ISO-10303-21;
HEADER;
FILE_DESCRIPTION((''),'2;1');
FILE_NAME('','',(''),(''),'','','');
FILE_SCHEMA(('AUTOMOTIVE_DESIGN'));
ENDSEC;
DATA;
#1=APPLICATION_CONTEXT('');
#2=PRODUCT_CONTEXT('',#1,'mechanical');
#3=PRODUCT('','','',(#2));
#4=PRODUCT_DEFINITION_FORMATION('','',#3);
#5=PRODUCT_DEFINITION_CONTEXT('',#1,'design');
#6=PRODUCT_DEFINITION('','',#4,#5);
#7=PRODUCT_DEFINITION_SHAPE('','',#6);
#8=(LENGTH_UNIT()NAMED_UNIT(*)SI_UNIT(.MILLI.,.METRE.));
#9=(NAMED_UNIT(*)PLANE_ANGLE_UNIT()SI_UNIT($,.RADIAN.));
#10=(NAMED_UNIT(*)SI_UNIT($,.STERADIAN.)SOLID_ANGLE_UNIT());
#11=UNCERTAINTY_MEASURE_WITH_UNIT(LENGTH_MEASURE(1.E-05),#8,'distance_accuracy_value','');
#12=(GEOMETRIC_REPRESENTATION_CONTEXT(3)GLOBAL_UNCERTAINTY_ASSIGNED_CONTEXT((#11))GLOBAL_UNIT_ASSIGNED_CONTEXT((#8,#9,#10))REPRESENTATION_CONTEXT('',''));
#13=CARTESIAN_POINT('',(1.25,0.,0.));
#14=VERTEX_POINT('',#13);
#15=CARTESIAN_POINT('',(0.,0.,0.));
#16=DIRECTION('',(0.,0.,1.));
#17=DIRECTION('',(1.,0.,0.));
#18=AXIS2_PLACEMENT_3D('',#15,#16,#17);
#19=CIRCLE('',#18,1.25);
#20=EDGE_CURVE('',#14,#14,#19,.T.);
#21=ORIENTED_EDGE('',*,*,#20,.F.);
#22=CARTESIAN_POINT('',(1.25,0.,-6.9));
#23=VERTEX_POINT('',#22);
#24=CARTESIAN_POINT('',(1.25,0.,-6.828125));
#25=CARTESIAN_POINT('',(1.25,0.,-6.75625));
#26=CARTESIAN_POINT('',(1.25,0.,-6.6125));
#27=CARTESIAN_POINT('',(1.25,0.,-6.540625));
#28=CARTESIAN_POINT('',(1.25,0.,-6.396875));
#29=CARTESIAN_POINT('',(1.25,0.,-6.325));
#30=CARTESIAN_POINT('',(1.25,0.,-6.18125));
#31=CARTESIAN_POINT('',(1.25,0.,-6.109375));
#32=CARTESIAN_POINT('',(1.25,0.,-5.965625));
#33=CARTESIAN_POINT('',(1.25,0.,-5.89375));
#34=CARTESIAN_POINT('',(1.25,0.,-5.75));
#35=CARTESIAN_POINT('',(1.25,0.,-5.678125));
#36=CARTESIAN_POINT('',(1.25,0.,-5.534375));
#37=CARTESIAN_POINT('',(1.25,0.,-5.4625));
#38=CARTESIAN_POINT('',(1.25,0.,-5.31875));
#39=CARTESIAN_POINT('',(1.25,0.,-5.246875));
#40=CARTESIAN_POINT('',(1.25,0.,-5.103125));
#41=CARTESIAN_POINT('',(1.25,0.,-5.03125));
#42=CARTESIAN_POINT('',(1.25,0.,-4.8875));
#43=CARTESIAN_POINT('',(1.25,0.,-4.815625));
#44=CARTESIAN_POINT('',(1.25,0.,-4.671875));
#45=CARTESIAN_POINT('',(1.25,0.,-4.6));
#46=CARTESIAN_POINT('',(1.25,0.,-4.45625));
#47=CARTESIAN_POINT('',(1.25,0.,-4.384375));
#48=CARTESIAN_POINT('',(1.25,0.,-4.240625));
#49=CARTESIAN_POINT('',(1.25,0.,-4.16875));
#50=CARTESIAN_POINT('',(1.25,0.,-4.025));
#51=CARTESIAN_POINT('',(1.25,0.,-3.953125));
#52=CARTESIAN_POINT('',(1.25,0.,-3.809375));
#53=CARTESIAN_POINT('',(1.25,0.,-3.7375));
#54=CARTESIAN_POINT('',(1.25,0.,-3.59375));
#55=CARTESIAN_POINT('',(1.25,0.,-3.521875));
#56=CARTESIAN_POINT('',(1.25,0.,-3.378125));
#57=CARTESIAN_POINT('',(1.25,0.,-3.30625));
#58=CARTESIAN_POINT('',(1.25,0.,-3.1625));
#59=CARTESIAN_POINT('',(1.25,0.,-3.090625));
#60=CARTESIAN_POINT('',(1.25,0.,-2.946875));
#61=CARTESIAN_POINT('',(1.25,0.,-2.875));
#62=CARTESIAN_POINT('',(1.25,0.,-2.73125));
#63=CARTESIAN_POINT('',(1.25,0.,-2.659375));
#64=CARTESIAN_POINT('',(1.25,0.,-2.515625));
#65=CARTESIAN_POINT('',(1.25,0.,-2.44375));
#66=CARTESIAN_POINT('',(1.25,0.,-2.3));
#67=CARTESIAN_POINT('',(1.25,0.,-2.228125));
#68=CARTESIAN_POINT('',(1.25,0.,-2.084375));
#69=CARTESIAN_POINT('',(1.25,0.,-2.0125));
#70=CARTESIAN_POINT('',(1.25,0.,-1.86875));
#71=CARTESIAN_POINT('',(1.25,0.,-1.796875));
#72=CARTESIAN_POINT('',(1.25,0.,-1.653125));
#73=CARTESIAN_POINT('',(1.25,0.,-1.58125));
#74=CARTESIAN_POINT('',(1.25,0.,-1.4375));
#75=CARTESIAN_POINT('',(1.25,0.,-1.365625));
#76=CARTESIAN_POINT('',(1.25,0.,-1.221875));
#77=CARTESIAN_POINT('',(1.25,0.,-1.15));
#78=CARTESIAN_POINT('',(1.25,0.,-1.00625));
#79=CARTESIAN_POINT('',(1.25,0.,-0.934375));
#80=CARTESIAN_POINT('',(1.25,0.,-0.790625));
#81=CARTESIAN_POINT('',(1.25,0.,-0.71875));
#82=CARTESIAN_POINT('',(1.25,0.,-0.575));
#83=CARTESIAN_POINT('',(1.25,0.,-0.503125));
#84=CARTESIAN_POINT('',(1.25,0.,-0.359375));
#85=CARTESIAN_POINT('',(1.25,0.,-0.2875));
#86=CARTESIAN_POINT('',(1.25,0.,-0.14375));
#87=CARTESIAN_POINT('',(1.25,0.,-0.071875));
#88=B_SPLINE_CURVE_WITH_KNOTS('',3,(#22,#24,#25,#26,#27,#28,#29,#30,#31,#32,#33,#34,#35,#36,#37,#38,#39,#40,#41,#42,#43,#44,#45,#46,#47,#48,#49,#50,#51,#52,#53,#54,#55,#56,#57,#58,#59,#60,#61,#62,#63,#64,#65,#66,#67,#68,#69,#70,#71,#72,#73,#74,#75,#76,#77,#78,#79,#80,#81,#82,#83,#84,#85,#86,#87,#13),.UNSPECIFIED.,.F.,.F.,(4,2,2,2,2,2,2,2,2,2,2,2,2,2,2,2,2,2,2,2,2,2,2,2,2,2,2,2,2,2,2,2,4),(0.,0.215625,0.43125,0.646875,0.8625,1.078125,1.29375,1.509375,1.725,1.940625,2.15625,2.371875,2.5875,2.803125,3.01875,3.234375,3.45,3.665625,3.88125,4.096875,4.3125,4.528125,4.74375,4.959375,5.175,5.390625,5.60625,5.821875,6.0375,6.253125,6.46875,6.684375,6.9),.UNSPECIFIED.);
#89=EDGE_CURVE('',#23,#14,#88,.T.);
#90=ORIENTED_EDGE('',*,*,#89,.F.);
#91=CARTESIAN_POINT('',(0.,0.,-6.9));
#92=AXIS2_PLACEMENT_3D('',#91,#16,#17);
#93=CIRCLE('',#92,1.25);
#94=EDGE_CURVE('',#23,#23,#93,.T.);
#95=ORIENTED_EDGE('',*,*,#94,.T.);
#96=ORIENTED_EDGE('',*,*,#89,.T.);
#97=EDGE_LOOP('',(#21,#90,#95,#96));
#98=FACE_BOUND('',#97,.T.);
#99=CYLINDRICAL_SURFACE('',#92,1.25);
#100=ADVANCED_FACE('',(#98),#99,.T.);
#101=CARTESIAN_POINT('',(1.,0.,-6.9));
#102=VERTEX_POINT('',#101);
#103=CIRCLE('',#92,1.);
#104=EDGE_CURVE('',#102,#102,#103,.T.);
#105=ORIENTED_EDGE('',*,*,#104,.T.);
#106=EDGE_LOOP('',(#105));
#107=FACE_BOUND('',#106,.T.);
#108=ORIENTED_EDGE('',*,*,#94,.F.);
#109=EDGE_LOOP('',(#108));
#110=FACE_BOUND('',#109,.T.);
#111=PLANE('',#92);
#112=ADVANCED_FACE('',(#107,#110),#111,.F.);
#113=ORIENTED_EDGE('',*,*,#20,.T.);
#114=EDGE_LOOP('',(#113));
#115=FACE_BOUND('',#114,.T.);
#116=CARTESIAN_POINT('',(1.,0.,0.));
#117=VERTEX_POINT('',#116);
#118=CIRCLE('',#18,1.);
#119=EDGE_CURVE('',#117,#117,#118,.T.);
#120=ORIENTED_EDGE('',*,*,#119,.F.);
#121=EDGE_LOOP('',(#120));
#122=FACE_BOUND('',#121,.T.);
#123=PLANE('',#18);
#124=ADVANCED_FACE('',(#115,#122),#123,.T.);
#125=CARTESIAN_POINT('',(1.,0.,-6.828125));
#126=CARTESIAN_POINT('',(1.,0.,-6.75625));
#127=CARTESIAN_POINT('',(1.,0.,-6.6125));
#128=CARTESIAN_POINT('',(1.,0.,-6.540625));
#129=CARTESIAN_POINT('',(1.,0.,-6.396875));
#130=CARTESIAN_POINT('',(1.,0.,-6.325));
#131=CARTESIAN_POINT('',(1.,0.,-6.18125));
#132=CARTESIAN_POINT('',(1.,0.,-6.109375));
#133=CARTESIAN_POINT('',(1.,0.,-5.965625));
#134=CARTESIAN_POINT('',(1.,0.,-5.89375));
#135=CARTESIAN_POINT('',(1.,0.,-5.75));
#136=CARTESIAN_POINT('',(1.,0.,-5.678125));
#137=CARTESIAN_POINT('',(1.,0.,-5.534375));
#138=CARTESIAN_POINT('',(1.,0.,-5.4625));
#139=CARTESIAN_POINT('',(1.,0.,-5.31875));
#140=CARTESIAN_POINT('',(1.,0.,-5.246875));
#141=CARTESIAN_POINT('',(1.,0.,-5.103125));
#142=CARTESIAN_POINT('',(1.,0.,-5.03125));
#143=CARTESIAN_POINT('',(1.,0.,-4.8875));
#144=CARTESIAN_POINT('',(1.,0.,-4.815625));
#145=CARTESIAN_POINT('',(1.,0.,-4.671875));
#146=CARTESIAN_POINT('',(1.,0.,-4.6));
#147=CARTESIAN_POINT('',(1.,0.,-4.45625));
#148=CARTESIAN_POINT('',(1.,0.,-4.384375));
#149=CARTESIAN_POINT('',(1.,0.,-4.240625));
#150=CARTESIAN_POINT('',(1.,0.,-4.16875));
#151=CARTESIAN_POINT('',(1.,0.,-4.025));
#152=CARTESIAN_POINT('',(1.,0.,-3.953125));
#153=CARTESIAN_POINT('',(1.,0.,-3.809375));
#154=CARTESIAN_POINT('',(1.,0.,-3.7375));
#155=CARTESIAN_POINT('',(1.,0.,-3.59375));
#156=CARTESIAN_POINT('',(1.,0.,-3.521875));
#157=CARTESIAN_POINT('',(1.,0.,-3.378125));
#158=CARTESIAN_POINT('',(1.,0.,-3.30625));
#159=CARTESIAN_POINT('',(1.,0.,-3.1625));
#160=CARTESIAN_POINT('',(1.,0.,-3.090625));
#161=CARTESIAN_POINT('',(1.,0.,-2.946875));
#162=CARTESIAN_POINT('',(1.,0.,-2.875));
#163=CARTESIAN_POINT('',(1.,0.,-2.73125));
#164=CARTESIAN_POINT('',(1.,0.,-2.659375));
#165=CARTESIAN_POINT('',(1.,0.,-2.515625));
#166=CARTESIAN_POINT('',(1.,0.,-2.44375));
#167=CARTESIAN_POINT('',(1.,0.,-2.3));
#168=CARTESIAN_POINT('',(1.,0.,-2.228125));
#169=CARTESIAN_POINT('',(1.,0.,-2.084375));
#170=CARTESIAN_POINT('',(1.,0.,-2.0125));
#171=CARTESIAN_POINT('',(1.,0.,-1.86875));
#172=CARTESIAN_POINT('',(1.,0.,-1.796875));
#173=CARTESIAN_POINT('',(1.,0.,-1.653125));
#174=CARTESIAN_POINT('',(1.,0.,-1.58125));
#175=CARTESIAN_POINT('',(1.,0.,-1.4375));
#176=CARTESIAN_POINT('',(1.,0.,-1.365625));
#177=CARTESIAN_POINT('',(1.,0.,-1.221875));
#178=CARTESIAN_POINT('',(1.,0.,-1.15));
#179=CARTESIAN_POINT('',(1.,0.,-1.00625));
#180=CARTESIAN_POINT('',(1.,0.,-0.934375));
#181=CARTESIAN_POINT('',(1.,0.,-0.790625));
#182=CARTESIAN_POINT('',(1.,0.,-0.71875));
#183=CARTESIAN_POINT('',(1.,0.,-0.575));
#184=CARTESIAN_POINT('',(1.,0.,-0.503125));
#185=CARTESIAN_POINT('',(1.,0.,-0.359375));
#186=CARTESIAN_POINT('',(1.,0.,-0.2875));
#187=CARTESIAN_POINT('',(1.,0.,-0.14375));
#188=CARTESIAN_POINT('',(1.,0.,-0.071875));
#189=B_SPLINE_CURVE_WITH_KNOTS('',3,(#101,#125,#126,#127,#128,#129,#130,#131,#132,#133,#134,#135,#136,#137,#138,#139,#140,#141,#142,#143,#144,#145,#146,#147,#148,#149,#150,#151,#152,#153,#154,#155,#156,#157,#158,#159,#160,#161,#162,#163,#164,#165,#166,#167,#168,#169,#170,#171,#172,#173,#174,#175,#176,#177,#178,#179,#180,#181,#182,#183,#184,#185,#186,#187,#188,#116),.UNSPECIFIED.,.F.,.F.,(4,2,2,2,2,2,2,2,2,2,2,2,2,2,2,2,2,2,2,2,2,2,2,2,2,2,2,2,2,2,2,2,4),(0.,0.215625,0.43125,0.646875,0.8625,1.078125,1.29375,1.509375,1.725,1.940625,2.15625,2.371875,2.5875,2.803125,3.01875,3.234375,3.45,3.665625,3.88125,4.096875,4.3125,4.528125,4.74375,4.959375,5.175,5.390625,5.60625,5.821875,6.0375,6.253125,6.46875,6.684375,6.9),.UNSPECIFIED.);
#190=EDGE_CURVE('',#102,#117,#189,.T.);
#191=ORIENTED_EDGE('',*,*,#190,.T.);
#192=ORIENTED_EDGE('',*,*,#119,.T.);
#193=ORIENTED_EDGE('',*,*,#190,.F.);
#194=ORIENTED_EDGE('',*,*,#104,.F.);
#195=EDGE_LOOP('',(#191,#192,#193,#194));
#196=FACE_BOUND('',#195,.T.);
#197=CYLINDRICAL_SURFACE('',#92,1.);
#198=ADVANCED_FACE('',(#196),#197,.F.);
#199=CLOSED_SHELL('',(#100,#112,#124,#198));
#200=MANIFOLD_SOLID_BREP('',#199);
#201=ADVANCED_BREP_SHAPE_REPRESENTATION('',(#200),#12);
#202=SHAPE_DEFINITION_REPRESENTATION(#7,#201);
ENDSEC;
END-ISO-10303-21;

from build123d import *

# Parameters (mm, degrees)
SKETCH1_R      = 1.25
SKETCH1_R_2    = 1
EXTRUDE1_DEPTH = 6.9


with BuildPart() as part:
    # Sketch1 → Extrude1 (new body)
    with BuildSketch(Plane.XY):
        Circle(SKETCH1_R)
        Circle(SKETCH1_R_2, mode=Mode.SUBTRACT)
    extrude(amount=-EXTRUDE1_DEPTH)


solid = part.part
